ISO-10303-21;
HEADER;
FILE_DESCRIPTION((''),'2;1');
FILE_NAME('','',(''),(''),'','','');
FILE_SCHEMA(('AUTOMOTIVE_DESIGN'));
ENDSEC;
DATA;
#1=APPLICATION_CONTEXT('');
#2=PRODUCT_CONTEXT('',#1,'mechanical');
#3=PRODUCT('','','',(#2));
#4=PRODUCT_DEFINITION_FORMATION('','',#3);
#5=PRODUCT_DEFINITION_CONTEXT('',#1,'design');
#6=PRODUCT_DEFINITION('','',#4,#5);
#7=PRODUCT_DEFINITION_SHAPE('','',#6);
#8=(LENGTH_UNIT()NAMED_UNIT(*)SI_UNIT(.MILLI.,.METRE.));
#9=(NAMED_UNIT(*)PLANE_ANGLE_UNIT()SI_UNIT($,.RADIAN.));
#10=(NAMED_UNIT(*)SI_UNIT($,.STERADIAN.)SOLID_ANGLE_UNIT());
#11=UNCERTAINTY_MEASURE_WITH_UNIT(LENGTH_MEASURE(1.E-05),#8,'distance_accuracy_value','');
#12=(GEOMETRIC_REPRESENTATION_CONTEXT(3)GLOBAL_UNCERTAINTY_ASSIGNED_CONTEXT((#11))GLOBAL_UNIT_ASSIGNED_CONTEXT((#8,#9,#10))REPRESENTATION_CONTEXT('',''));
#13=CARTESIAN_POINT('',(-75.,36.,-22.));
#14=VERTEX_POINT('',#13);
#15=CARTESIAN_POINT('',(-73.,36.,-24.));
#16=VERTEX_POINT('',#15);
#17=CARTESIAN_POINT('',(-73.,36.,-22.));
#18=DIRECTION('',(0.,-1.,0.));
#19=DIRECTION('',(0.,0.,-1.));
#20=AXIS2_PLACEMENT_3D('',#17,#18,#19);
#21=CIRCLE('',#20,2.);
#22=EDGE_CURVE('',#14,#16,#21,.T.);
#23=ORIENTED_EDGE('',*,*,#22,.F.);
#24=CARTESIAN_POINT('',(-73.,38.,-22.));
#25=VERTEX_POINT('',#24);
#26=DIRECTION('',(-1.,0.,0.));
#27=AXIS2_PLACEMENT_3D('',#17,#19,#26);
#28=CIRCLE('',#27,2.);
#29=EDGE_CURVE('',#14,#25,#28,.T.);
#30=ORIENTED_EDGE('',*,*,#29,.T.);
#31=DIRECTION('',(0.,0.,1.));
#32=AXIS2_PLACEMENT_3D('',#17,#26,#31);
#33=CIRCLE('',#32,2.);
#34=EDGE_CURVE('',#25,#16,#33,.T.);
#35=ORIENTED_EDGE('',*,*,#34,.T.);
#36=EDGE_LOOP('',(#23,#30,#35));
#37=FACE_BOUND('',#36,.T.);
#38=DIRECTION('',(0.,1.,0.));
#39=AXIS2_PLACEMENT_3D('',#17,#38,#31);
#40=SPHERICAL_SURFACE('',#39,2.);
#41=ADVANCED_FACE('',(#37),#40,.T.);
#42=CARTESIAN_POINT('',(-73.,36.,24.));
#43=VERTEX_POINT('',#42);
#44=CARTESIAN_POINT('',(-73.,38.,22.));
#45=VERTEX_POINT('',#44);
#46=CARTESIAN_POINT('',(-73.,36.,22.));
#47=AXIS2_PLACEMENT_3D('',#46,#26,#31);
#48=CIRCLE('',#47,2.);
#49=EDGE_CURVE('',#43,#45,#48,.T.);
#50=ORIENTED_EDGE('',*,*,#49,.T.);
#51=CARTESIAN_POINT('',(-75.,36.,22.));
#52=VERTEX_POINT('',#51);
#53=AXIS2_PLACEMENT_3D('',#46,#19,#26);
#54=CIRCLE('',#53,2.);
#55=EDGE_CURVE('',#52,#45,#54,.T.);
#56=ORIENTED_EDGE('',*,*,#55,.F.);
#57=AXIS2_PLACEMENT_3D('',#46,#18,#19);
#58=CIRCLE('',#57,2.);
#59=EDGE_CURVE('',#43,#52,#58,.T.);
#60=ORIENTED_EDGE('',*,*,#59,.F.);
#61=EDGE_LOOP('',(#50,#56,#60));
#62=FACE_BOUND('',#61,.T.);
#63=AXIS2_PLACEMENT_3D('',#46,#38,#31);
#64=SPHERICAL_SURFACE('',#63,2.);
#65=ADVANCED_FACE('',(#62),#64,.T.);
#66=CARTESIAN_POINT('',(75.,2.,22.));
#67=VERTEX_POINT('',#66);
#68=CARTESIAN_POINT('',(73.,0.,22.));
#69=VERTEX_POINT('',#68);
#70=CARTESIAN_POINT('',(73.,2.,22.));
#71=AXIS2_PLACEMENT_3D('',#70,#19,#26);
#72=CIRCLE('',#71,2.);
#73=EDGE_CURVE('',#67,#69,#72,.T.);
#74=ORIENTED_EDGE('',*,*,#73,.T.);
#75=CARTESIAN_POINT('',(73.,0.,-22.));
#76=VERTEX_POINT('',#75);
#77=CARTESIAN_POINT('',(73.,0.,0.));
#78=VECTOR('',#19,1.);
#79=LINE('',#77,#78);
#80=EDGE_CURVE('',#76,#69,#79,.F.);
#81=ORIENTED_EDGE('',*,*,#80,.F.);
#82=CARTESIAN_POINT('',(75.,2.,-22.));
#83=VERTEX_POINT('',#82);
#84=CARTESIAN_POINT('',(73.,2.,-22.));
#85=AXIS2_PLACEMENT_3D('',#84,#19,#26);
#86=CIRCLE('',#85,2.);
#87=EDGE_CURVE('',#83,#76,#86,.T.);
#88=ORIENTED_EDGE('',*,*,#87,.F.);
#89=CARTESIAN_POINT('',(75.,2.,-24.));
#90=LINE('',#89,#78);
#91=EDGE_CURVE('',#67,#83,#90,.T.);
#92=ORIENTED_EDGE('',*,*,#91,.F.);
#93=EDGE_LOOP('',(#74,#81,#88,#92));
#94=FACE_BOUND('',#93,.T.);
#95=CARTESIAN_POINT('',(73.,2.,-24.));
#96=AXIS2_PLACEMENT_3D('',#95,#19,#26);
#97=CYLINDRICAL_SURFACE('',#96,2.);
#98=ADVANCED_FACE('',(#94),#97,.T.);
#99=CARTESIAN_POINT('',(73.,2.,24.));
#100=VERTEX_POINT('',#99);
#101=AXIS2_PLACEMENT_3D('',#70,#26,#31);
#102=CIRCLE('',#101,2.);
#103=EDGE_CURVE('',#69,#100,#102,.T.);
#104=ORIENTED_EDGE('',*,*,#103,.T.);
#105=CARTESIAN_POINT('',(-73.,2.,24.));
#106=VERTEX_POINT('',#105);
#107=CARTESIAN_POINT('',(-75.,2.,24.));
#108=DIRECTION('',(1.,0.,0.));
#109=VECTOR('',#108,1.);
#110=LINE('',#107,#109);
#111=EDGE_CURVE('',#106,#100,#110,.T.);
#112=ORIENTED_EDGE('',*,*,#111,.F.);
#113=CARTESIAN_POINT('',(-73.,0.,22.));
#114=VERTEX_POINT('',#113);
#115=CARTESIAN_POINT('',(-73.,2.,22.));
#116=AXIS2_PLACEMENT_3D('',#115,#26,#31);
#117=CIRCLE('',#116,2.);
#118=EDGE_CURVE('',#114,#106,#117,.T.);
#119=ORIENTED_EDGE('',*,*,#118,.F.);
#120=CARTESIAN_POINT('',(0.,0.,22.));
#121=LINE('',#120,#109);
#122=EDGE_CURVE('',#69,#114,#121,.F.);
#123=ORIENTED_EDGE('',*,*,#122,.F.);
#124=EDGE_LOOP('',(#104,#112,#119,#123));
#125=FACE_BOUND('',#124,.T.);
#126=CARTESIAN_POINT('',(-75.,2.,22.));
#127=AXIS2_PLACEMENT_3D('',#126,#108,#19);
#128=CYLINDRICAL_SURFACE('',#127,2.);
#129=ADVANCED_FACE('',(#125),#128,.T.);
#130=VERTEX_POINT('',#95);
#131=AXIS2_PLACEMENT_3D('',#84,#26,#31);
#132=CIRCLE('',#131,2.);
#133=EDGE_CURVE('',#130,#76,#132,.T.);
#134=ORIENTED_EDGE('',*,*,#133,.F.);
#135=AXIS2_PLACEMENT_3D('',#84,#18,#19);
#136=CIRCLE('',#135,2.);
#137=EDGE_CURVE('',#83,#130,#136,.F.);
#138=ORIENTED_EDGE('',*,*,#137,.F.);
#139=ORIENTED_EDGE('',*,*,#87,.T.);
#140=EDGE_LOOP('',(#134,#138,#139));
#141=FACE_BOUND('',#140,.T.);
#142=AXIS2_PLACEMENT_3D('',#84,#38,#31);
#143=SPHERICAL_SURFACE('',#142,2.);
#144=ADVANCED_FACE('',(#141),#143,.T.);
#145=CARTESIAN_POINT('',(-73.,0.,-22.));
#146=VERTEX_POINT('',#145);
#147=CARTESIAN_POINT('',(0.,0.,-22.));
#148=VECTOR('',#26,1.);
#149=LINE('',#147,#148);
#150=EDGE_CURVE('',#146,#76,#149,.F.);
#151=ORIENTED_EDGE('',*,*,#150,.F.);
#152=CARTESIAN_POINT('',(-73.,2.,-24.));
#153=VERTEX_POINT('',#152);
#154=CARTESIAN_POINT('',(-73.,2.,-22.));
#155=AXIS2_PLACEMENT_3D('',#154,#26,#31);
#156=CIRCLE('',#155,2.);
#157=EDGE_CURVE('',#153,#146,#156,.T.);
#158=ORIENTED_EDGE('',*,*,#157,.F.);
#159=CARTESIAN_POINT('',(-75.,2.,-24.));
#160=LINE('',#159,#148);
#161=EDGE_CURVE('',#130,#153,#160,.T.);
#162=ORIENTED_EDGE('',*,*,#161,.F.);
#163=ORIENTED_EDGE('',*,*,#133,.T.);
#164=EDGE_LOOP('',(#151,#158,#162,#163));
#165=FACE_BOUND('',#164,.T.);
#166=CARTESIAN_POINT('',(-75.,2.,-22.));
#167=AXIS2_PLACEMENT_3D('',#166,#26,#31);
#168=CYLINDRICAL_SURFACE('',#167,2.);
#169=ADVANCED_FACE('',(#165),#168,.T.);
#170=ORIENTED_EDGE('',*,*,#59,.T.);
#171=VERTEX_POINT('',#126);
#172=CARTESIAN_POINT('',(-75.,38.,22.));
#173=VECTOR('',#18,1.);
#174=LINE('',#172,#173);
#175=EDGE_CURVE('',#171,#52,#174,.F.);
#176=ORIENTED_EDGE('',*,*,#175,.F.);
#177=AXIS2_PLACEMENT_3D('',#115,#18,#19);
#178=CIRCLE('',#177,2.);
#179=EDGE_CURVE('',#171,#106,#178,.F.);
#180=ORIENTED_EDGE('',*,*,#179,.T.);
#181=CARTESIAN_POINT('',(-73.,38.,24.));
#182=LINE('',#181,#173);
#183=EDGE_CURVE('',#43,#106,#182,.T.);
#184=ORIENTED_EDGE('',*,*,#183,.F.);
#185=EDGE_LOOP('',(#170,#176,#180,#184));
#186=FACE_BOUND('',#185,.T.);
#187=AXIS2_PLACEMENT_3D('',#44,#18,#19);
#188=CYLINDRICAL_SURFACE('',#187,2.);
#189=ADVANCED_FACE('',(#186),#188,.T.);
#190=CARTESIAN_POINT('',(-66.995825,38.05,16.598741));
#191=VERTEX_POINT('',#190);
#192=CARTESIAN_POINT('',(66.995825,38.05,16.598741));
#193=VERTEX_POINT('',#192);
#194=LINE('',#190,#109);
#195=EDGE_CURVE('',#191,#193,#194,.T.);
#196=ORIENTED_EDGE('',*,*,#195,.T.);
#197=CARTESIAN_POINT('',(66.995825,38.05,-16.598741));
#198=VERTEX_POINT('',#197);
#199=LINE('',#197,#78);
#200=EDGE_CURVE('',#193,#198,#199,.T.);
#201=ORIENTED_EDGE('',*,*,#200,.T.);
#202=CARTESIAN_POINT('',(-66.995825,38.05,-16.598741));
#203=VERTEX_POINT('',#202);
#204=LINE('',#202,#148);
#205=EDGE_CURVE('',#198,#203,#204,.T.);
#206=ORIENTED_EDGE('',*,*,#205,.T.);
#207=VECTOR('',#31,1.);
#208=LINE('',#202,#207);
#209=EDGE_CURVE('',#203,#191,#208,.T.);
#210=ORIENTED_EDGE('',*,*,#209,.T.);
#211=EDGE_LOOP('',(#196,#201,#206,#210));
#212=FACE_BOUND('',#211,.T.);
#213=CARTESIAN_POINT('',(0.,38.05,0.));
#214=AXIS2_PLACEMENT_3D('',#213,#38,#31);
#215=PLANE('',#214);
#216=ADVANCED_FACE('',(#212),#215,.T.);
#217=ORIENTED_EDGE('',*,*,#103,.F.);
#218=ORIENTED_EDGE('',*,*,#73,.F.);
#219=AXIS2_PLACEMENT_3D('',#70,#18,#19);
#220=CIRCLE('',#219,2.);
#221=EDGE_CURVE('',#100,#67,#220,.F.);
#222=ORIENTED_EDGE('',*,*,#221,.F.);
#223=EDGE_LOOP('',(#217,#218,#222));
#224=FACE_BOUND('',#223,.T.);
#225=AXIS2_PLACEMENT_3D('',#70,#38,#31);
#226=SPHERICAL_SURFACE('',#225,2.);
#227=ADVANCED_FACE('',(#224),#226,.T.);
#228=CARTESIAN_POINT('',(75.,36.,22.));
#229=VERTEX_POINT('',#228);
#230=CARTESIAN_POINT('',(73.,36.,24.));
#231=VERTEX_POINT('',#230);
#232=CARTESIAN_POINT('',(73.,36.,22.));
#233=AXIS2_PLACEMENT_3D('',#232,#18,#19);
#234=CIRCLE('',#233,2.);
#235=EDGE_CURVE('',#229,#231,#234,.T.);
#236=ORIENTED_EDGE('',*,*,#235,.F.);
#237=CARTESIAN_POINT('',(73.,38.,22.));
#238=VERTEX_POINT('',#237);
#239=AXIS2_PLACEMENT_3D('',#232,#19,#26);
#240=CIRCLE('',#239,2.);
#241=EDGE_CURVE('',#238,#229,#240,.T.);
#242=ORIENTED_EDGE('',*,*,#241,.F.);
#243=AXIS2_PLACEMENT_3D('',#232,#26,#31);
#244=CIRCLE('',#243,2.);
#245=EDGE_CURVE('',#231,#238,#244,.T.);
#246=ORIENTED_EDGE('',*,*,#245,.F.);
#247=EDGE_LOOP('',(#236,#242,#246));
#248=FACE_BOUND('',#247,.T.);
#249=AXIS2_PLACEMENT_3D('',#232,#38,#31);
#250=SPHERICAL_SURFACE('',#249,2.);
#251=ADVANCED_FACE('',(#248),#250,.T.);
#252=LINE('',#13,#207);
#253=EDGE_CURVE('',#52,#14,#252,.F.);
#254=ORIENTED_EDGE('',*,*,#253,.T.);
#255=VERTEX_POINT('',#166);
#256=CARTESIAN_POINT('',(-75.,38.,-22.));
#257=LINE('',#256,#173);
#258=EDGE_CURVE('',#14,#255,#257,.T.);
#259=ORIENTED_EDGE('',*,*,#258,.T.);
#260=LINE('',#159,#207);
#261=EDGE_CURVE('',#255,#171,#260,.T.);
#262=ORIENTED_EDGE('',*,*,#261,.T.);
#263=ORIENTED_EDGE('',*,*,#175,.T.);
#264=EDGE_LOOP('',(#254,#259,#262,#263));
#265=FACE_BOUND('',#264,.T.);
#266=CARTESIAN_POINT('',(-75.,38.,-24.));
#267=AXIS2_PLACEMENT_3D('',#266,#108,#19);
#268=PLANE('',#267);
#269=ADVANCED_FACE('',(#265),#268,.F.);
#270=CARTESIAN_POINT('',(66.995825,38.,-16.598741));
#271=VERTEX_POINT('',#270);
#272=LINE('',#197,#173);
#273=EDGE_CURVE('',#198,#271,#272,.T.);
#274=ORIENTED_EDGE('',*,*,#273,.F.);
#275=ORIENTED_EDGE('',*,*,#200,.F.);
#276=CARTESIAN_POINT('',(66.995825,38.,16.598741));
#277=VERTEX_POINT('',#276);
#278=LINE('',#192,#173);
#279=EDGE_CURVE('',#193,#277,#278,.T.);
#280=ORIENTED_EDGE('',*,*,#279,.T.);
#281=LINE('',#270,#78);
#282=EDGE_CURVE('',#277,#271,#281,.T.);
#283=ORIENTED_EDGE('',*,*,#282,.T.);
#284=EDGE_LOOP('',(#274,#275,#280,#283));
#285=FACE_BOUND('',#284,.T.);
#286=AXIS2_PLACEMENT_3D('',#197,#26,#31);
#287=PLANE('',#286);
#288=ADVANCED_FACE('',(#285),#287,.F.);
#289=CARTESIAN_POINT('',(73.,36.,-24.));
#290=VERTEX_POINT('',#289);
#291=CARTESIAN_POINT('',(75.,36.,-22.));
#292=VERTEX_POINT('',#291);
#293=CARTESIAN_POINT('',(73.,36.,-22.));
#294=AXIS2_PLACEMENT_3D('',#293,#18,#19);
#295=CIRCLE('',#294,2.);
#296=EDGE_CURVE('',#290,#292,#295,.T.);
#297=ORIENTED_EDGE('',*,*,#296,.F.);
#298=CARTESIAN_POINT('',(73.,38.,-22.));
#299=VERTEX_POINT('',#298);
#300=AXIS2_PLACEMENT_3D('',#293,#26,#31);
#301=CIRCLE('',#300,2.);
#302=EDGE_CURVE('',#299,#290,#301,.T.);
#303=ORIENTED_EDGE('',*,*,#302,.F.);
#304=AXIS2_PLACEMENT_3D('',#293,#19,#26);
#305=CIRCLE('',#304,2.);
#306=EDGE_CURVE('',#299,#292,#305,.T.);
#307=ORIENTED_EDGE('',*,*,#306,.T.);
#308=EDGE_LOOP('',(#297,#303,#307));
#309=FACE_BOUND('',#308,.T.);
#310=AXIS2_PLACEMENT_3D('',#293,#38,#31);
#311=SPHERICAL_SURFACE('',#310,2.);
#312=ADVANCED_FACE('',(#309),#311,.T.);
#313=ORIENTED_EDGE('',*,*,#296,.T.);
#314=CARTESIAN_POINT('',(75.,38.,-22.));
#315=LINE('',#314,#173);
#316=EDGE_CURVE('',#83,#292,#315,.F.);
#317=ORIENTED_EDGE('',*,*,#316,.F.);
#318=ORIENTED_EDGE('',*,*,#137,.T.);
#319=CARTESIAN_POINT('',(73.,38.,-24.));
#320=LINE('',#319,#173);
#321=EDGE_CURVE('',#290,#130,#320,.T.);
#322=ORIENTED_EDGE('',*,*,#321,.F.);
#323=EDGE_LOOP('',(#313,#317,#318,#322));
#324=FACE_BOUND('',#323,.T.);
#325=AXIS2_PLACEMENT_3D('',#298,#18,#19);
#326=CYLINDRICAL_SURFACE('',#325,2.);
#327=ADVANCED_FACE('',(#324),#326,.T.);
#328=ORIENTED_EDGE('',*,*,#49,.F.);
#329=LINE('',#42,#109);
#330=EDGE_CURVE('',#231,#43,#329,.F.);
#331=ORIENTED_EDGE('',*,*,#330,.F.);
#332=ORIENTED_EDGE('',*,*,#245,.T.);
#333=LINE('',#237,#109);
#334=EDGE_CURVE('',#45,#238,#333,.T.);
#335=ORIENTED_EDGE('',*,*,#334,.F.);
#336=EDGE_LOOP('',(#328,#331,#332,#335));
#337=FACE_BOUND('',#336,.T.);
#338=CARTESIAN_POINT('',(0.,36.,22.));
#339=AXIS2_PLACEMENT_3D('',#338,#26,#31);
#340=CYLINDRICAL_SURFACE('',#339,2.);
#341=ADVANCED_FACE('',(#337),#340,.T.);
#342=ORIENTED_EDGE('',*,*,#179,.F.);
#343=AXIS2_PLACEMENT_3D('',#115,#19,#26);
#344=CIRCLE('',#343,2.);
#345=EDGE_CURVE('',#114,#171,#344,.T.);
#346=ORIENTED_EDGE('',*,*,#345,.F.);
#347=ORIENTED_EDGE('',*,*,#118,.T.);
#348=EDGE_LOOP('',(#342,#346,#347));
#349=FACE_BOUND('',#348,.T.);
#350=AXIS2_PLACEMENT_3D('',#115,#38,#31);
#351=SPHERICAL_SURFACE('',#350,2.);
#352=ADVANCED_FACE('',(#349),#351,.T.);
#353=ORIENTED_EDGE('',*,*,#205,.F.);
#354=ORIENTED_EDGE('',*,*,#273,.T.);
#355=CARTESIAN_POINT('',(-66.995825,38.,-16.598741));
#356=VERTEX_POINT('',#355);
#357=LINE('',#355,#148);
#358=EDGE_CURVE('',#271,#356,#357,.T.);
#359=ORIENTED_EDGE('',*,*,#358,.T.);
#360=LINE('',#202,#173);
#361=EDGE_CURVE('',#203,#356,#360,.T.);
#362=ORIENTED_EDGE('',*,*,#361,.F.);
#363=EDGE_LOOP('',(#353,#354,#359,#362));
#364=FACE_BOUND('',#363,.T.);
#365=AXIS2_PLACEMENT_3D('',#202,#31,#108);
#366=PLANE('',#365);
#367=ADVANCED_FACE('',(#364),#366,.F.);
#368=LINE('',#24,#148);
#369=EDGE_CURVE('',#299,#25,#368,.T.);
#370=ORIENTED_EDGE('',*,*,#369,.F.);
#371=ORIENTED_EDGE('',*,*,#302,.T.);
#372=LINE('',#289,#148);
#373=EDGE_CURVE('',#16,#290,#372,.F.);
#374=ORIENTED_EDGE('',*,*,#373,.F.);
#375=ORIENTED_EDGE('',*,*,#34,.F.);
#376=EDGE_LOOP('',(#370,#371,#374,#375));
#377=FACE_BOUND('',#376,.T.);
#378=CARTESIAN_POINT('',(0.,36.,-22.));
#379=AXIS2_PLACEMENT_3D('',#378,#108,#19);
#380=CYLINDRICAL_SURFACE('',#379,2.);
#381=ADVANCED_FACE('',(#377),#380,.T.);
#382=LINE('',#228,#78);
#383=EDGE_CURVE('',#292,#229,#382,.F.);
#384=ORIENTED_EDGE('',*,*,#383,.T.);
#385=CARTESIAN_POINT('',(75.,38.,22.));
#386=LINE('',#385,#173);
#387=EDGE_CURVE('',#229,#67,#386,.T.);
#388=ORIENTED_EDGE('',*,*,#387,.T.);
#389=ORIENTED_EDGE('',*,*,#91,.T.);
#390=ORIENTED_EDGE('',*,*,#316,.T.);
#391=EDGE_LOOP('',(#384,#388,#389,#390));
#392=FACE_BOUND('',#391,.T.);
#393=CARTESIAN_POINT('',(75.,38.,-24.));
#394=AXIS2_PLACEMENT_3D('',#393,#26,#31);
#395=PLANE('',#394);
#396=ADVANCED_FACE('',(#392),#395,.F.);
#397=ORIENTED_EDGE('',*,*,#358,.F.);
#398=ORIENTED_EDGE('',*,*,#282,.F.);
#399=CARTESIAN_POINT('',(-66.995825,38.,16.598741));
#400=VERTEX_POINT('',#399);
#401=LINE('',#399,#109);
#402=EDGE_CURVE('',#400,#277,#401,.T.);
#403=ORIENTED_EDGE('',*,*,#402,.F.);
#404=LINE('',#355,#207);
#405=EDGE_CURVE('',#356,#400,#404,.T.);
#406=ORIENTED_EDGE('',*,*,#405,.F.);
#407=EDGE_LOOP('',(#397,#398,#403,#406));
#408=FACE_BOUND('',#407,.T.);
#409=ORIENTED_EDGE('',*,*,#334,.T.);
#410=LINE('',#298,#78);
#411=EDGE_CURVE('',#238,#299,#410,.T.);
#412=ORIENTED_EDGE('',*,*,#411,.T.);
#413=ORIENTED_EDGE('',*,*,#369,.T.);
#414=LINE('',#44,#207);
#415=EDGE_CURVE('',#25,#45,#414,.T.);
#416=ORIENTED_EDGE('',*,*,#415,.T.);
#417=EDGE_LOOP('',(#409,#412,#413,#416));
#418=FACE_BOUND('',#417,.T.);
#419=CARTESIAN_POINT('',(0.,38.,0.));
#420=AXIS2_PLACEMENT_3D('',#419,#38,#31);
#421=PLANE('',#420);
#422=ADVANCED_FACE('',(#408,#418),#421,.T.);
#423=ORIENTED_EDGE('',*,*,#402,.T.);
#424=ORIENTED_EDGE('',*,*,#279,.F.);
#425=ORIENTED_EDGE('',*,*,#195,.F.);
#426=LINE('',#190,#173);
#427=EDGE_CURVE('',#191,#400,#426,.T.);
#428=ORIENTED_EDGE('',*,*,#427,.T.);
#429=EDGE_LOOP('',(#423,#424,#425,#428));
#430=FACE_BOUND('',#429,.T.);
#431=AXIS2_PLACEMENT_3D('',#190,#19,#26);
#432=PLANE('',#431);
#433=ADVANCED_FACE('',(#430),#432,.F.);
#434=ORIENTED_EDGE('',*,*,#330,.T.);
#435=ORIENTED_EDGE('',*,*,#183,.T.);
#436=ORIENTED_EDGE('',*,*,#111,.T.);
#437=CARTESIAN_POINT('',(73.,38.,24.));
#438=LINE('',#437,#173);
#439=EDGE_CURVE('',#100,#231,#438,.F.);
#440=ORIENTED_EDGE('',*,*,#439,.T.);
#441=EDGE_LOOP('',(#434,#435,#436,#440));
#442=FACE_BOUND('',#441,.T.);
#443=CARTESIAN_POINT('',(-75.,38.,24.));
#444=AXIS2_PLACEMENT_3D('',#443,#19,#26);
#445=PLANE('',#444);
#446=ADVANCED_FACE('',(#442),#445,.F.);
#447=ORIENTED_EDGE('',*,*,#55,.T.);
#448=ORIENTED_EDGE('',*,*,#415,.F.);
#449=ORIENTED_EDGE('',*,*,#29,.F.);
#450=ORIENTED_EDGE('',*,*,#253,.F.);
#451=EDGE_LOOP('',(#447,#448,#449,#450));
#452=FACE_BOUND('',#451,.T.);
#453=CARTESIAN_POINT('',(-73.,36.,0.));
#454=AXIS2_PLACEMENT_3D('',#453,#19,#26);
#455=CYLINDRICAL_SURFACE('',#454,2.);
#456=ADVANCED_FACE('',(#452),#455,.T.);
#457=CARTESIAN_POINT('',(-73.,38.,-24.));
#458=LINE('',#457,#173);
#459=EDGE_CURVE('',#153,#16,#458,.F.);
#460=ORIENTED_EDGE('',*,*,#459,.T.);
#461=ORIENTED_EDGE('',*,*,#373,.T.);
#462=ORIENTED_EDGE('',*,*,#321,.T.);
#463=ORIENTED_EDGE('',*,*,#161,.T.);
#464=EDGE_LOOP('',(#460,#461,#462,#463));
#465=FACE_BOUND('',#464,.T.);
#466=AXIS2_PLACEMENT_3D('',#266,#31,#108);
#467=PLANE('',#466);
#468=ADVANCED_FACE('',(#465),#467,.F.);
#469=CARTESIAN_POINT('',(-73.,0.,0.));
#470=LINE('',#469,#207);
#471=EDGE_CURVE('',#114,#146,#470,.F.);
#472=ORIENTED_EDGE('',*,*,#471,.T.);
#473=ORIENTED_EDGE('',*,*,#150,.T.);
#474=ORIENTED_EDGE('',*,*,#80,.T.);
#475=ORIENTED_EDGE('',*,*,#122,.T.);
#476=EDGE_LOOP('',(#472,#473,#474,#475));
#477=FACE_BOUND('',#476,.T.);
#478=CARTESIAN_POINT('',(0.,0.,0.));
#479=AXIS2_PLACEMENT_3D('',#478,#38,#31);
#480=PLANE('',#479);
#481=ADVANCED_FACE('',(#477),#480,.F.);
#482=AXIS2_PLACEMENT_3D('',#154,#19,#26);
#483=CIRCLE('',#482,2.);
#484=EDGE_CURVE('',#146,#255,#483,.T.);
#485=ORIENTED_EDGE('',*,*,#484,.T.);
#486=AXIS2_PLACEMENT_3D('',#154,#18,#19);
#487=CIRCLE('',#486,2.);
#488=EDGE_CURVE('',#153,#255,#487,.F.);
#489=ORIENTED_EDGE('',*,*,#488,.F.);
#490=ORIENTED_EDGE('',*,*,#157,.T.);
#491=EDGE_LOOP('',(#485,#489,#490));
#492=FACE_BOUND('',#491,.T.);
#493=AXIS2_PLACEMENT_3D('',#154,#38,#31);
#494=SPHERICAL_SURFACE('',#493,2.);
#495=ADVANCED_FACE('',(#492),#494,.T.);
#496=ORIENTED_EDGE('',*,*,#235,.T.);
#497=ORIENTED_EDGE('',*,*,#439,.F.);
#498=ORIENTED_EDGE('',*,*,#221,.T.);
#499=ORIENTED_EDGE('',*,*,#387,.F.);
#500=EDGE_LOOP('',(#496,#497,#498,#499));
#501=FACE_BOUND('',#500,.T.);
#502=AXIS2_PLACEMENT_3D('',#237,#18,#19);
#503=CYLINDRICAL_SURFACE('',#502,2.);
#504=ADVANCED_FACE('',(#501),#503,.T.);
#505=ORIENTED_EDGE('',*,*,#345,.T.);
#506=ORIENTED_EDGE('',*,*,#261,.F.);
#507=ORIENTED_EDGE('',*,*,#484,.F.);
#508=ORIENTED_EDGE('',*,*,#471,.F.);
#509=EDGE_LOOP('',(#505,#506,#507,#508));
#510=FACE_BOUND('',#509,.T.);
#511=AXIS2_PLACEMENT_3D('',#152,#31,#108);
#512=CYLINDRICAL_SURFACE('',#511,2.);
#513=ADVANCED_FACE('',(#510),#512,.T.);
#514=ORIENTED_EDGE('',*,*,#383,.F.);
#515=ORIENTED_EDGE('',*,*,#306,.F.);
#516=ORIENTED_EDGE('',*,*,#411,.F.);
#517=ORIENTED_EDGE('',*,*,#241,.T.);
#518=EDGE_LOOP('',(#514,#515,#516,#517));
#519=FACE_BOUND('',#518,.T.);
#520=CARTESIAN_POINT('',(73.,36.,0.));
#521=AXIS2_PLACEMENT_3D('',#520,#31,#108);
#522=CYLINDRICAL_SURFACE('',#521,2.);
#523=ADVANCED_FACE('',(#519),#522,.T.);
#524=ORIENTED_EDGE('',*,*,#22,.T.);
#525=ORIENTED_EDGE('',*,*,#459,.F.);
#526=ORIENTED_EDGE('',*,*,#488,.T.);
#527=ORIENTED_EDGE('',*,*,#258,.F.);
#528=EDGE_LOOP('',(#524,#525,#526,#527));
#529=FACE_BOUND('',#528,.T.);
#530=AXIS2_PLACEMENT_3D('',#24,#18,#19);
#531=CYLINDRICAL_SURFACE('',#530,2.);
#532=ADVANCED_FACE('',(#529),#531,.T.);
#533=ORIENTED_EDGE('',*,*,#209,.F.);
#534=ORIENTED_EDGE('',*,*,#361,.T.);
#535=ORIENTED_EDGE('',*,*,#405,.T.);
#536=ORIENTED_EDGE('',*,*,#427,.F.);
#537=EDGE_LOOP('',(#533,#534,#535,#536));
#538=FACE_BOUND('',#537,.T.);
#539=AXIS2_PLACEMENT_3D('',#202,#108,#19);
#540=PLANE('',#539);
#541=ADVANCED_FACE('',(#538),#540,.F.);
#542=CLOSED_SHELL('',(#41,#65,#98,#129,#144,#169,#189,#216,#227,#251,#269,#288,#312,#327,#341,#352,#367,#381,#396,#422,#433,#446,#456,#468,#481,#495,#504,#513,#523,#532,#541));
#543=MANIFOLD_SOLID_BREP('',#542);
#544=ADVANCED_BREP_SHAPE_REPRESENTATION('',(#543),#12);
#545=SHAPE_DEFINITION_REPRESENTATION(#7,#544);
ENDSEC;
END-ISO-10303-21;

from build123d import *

# Parameters (mm, degrees)
SKETCH1_W           = 150
SKETCH1_H           = 48
BOSS_EXTRUDE1_DEPTH = 38
FILLET1_R           = 2
FILLET2_R           = 2
SKETCH3_W           = 133.991649932
SKETCH3_H           = 33.197482774
BOSS_EXTRUDE2_DEPTH = 0.05


with BuildPart() as part:
    # Sketch1 → Boss-Extrude1 (new body)
    with BuildSketch(Plane(origin=(0, 0, 0), x_dir=(1, 0, 0), z_dir=(0, 1, 0))):
        Rectangle(SKETCH1_W, SKETCH1_H)
    extrude(amount=BOSS_EXTRUDE1_DEPTH)

    # Fillet1
    fillet1_edges = [part.edges().sort_by_distance(p)[0] for p in [
        (75, 19, 24),
        (-75, 19, 24),
        (-75, 19, -24),
        (75, 19, -24),
    ]]
    fillet(fillet1_edges, radius=FILLET1_R)

    # Fillet2
    fillet2_edges = [part.edges().sort_by_distance(p)[0] for p in [
        (0, 0, -24),
        (0, 38, -24),
        (75, 0, 0),
        (0, 0, 24),
        (-75, 0, 0),
        (-74.414213562, 0, 23.414213562),
        (-74.414213562, 0, -23.414213562),
        (74.414213562, 0, 23.414213562),
        (74.414213562, 0, -23.414213562),
        (75, 38, 0),
        (-75, 38, 0),
        (0, 38, 24),
        (-74.414213562, 38, 23.414213562),
        (-74.414213562, 38, -23.414213562),
        (74.414213562, 38, 23.414213562),
        (74.414213562, 38, -23.414213562),
    ]]
    fillet(fillet2_edges, radius=FILLET2_R)

    # Sketch3 → Boss-Extrude2 (add)
    with BuildSketch(Plane(origin=(0, 38, 0), x_dir=(1, 0, 0), z_dir=(0, 1, 0))):
        Rectangle(SKETCH3_W, SKETCH3_H)
    extrude(amount=BOSS_EXTRUDE2_DEPTH)


solid = part.part
